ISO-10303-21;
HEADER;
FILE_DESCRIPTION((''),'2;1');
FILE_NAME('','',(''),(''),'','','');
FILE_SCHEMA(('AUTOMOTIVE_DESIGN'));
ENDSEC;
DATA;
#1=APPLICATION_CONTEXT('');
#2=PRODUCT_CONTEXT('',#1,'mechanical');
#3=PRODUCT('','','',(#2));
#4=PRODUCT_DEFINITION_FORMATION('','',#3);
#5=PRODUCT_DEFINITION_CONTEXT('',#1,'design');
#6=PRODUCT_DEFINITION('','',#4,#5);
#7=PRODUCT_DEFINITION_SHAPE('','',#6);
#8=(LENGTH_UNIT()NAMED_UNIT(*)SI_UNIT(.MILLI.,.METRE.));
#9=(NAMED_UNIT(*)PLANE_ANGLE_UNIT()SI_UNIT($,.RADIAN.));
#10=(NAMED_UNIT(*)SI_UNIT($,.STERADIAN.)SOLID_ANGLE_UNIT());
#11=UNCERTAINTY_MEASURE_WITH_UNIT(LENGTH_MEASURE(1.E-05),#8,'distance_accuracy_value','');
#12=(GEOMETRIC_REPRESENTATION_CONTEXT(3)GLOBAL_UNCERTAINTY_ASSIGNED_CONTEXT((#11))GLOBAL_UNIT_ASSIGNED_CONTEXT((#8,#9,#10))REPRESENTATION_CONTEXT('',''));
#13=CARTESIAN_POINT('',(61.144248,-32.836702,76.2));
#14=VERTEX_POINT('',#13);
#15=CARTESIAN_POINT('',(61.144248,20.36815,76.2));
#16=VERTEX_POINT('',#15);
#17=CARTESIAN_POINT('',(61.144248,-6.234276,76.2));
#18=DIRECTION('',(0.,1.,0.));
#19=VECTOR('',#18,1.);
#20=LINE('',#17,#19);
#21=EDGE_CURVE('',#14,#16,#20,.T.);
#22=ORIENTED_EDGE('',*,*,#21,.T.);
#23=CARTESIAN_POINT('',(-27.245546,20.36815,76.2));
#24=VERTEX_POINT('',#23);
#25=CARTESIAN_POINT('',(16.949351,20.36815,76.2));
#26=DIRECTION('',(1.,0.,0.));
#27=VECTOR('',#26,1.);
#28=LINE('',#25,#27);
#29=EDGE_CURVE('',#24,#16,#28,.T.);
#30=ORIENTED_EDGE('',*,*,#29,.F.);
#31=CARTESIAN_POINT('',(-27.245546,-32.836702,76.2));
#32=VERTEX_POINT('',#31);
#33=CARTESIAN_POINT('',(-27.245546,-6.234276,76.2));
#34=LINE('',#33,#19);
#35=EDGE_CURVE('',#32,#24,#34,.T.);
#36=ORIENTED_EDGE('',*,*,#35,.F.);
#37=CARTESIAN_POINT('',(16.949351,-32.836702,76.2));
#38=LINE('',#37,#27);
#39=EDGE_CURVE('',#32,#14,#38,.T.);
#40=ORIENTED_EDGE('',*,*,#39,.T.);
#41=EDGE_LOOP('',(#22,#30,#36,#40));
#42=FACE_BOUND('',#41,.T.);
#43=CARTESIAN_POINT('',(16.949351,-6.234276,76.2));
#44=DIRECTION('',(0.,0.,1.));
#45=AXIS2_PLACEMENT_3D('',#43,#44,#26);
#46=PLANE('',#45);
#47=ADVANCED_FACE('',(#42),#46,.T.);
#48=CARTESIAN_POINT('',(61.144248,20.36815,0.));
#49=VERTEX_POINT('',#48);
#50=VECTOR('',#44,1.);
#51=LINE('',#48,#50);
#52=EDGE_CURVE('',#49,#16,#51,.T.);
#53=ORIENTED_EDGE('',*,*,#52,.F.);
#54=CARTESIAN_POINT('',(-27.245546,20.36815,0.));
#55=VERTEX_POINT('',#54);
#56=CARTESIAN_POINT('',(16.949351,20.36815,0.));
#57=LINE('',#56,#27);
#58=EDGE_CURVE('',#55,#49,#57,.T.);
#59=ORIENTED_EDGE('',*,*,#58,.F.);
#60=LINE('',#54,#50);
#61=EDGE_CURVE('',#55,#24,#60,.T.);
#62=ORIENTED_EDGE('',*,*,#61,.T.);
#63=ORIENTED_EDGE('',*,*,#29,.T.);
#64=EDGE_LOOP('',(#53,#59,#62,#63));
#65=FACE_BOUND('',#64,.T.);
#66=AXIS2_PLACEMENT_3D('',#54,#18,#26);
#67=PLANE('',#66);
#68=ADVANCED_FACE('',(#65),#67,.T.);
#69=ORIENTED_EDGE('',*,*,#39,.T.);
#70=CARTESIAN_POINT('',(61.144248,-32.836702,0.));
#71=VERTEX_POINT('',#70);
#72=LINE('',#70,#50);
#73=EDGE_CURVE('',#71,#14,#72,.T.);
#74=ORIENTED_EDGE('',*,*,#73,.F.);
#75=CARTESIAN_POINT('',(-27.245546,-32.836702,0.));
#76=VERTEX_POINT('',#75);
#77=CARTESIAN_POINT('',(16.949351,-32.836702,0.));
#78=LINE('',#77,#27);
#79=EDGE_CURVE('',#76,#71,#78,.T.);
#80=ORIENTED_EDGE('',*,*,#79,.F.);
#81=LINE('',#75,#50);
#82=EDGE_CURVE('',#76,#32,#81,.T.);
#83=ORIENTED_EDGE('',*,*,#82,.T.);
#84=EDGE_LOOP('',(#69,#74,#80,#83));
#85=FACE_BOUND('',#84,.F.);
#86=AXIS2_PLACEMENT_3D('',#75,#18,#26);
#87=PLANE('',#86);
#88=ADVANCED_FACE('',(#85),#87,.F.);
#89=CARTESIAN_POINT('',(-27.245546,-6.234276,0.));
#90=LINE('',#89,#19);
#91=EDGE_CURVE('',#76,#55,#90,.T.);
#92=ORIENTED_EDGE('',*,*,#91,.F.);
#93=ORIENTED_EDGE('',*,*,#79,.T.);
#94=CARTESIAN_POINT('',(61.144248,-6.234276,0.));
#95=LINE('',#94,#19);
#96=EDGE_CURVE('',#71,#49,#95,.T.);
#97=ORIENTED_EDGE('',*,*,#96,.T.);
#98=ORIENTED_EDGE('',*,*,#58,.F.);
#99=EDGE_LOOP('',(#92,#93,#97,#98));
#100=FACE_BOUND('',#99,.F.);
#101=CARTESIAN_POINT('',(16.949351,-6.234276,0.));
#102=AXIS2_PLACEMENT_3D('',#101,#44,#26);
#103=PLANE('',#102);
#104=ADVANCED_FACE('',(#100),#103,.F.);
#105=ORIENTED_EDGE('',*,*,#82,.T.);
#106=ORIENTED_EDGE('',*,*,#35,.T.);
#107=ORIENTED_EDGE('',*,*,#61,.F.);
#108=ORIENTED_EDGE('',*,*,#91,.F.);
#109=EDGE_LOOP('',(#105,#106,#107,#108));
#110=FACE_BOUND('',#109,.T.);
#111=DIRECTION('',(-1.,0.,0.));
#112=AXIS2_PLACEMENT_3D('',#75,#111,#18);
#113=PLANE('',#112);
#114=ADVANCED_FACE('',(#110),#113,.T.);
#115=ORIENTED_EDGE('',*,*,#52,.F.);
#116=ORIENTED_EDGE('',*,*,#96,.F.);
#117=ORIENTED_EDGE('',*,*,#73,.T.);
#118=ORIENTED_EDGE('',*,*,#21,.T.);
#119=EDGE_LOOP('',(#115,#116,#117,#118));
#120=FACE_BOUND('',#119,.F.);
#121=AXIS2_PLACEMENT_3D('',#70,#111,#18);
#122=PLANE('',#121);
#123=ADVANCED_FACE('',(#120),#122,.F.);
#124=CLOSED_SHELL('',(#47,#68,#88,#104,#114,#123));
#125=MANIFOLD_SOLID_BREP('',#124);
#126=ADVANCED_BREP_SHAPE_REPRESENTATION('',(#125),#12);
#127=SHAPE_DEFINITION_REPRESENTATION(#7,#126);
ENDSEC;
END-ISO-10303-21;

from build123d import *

# Parameters (mm, degrees)
F1_W     = 88.389794
F1_H     = 53.204852
F2_DEPTH = 76.2


with BuildPart() as f2:
    # F1 (on face) → F2 (new body)
    with BuildSketch(Plane.XY):
        with Locations((16.949351, -6.234276)):
            Rectangle(F1_W, F1_H)
    extrude(amount=F2_DEPTH)


solid = f2.part
